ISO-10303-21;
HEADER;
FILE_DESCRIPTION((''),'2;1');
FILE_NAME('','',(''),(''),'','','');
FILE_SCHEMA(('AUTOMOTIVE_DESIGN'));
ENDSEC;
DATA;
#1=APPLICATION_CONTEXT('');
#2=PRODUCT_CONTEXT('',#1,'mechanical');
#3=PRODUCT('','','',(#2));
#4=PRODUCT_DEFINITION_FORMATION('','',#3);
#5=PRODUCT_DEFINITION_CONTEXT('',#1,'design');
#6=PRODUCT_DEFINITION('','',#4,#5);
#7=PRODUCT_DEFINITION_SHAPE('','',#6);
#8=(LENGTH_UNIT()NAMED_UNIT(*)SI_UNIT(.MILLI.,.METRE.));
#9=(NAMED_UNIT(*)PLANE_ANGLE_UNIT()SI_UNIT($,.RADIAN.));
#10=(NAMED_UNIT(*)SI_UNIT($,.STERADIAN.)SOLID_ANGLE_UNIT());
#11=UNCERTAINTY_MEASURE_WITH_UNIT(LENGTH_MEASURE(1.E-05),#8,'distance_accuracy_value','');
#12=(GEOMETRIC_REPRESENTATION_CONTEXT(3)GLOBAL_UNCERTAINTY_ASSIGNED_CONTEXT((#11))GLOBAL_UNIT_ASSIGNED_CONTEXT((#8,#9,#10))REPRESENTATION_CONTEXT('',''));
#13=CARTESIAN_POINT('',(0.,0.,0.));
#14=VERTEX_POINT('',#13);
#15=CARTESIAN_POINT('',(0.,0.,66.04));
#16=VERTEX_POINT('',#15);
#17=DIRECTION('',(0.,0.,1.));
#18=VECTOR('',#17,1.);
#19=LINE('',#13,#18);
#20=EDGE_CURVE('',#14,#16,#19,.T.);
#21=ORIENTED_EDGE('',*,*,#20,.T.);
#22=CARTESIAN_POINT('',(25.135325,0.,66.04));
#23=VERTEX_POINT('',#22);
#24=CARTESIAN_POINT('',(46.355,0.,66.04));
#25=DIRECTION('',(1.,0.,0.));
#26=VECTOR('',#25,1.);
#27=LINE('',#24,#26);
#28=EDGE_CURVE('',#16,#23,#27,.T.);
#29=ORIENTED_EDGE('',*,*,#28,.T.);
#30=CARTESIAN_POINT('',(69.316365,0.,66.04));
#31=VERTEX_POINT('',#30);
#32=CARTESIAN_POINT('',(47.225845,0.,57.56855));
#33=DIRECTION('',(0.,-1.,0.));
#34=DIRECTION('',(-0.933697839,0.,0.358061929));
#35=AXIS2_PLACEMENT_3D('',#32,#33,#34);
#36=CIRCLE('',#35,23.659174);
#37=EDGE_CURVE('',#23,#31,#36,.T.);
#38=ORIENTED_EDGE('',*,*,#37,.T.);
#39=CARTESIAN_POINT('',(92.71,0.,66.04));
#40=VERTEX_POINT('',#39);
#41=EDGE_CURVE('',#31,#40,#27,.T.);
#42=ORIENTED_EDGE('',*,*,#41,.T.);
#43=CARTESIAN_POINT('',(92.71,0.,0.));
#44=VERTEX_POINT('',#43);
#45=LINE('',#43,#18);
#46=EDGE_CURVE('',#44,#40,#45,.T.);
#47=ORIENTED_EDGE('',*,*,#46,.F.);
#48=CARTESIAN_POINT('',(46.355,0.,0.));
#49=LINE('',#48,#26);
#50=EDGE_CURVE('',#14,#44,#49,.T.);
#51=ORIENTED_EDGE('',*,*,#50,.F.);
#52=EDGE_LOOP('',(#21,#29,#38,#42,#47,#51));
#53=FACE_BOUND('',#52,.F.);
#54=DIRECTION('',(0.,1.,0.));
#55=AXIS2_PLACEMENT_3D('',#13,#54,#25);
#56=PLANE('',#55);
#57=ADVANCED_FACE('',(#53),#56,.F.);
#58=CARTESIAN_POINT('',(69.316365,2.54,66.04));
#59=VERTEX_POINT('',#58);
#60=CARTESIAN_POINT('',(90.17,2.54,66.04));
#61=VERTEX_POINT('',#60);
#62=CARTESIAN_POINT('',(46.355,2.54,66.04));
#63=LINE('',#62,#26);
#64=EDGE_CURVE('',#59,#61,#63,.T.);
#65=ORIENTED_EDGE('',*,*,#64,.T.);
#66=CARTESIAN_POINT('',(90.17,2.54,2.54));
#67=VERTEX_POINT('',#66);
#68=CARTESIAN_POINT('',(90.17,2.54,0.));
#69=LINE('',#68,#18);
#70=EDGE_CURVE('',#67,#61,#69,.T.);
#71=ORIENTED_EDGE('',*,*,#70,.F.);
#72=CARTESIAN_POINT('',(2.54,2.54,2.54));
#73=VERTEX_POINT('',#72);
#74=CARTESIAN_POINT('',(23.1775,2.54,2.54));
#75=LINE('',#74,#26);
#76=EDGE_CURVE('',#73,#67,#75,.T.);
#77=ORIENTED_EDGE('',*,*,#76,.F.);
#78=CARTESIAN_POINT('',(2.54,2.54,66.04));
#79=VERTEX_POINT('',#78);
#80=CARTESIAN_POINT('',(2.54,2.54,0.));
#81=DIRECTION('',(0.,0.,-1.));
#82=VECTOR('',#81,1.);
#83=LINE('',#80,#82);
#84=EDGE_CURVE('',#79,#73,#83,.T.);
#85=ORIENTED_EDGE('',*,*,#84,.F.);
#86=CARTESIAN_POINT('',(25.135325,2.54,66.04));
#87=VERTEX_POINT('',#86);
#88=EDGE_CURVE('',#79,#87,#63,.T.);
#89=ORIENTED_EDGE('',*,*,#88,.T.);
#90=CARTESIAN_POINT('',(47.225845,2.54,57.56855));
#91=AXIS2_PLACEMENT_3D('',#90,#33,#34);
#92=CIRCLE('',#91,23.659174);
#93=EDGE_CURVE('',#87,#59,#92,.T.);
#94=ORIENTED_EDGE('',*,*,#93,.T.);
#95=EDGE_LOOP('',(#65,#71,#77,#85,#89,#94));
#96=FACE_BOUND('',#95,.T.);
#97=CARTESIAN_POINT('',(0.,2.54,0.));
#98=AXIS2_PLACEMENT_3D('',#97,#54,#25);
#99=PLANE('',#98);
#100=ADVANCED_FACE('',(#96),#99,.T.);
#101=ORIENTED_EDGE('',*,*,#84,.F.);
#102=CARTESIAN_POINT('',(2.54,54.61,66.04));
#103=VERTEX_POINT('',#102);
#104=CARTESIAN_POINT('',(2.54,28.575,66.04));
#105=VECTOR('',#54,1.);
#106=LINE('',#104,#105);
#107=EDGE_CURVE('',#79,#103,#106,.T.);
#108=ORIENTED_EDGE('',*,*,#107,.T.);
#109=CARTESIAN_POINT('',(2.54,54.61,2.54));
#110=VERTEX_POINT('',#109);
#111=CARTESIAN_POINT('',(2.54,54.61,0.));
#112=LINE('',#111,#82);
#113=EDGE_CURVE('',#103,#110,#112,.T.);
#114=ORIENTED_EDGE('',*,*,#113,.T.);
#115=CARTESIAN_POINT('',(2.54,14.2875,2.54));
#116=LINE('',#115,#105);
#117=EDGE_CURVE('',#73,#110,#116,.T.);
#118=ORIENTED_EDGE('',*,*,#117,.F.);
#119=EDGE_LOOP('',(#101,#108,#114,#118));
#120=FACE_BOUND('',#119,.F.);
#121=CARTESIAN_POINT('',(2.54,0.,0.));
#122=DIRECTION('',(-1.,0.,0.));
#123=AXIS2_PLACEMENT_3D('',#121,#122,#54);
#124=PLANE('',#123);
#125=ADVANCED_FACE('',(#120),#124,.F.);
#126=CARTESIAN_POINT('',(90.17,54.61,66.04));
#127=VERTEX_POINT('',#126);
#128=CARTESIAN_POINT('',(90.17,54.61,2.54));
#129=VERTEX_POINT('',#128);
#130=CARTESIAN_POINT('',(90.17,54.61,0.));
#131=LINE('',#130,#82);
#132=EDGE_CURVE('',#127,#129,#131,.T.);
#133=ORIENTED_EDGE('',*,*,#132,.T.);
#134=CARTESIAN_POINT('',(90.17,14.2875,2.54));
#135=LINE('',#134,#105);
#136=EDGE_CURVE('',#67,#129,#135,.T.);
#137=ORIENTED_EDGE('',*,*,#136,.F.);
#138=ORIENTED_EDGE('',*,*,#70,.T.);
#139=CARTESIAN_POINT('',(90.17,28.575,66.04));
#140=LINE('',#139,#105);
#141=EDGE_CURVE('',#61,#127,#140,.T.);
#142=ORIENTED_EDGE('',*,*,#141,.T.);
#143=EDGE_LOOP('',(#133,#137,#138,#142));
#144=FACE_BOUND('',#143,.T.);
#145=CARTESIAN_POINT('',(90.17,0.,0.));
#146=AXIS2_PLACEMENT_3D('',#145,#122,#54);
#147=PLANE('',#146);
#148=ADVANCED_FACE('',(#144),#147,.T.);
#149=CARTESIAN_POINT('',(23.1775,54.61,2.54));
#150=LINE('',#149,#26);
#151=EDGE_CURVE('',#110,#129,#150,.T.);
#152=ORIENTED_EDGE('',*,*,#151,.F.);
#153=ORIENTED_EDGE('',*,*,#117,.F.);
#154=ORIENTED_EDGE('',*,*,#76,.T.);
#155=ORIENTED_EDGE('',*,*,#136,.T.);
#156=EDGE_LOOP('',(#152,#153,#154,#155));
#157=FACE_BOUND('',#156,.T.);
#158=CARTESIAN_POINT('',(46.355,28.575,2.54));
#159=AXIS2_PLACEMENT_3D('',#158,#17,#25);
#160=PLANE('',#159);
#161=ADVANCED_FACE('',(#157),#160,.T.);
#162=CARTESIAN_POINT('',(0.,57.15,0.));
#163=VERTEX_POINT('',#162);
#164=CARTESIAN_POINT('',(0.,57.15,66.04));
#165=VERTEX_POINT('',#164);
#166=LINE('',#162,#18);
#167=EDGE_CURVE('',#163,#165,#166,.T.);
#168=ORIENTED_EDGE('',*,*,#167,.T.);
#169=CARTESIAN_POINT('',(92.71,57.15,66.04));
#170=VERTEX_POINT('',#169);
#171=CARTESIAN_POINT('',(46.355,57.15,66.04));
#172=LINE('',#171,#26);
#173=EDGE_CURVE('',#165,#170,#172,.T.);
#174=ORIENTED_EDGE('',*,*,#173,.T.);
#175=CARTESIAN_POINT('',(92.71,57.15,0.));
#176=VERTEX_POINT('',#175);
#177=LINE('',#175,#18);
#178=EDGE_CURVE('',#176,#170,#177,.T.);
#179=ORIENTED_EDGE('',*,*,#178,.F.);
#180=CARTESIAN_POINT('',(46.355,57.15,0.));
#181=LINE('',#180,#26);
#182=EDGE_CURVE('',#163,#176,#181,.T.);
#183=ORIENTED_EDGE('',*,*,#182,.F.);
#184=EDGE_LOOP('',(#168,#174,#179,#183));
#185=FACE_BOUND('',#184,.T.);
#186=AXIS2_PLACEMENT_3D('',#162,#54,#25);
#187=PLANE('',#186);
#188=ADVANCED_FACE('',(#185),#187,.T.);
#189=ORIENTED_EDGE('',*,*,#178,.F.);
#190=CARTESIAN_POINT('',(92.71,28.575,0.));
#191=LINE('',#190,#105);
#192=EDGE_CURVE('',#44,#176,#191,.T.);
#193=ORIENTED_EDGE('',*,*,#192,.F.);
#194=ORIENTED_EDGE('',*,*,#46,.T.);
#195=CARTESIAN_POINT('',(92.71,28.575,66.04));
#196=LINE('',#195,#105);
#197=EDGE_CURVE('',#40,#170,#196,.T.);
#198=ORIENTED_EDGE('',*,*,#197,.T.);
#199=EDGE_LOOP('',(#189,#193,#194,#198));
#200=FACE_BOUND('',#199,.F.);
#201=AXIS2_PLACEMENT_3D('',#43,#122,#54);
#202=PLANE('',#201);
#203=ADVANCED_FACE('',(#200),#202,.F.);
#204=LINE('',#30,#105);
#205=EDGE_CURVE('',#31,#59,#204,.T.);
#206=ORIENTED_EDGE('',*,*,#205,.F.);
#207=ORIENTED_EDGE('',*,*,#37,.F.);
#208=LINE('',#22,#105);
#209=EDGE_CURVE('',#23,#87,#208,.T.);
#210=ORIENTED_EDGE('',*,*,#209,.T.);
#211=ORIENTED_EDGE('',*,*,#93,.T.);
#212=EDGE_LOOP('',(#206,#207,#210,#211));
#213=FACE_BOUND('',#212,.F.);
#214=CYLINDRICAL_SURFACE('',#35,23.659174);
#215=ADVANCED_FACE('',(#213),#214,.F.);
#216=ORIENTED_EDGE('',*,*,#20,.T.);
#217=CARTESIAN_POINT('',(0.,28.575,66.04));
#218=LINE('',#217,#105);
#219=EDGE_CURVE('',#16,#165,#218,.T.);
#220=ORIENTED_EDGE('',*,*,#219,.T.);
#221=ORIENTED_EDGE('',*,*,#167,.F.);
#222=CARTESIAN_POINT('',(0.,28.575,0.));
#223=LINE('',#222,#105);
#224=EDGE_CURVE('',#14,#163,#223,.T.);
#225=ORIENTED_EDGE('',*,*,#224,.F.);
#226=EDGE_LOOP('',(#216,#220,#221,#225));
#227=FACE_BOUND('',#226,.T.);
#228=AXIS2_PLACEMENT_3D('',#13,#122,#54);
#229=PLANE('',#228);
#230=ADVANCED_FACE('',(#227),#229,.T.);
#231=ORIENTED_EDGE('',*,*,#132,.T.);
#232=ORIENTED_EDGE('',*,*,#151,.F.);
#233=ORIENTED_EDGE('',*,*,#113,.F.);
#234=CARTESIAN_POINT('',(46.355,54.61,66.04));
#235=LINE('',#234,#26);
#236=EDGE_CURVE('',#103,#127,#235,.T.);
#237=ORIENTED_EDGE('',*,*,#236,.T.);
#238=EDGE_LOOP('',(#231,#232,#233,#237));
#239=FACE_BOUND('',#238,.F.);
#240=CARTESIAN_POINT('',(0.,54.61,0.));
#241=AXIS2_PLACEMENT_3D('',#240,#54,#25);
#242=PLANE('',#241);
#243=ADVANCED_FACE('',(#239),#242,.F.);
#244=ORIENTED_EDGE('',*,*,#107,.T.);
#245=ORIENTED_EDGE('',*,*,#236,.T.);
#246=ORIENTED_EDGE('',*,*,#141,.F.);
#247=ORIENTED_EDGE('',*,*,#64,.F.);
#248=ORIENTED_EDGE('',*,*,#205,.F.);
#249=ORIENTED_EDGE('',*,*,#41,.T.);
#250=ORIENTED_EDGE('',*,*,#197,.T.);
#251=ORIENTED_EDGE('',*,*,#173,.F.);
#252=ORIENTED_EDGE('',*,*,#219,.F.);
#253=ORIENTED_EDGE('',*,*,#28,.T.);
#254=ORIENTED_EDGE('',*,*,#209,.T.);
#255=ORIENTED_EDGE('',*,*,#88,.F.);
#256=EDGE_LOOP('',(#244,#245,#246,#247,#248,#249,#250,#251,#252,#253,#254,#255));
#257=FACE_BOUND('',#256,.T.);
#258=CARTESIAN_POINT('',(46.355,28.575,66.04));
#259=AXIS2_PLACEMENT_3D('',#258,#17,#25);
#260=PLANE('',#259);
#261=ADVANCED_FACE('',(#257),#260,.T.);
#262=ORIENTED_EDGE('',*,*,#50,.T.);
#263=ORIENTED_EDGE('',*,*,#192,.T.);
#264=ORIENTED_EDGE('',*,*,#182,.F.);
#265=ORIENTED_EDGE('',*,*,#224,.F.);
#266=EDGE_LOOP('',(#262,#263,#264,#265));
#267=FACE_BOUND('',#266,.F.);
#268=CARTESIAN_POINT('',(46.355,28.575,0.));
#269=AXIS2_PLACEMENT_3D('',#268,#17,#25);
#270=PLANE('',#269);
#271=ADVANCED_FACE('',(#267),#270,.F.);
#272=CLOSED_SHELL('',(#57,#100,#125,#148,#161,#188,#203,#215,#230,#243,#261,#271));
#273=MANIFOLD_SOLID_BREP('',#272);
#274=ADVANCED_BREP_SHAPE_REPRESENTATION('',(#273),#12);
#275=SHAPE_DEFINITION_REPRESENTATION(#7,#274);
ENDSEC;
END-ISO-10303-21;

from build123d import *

# Parameters (mm, degrees)
F0_W     = 92.71
F0_H     = 57.15
F1_DEPTH = 66.04
F2_T     = -2.54
F4_DEPTH = 25.4
F6_DEPTH = 25.4


with BuildPart() as f1:
    # F0 (on Top) → F1 (new body)
    with BuildSketch(Plane.XY):
        with Locations((46.355, 28.575)):
            Rectangle(F0_W, F0_H)
    extrude(amount=F1_DEPTH)

    # F2
    f2_openings = [f1.faces().sort_by_distance(p)[0] for p in [
        (46.355, 28.575, 66.04),
    ]]
    offset(amount=F2_T, openings=f2_openings)

    # F3 (on face) → F4 (cut)
    with BuildSketch(Plane.XZ):
        with BuildLine():
            Line((56.342959, 66.04), (36.00914, 66.04))
            ThreePointArc((36.00914, 66.04), (46.17605, 50.051373), (56.342959, 66.04))
        make_face()
    extrude(amount=-F4_DEPTH, mode=Mode.SUBTRACT)

    # F5 (on face) → F6 (cut)
    with BuildSketch(Plane.XZ):
        with BuildLine():
            Line((36.00914, 66.04), (25.135325, 66.04))
            ThreePointArc((25.135325, 66.04), (47.225845, 33.909376), (69.316365, 66.04))
            Line((69.316365, 66.04), (56.342959, 66.04))
            ThreePointArc((56.342959, 66.04), (46.17605, 50.051373), (36.00914, 66.04))
        make_face()
    extrude(amount=-F6_DEPTH, mode=Mode.SUBTRACT)


solid = f1.part
